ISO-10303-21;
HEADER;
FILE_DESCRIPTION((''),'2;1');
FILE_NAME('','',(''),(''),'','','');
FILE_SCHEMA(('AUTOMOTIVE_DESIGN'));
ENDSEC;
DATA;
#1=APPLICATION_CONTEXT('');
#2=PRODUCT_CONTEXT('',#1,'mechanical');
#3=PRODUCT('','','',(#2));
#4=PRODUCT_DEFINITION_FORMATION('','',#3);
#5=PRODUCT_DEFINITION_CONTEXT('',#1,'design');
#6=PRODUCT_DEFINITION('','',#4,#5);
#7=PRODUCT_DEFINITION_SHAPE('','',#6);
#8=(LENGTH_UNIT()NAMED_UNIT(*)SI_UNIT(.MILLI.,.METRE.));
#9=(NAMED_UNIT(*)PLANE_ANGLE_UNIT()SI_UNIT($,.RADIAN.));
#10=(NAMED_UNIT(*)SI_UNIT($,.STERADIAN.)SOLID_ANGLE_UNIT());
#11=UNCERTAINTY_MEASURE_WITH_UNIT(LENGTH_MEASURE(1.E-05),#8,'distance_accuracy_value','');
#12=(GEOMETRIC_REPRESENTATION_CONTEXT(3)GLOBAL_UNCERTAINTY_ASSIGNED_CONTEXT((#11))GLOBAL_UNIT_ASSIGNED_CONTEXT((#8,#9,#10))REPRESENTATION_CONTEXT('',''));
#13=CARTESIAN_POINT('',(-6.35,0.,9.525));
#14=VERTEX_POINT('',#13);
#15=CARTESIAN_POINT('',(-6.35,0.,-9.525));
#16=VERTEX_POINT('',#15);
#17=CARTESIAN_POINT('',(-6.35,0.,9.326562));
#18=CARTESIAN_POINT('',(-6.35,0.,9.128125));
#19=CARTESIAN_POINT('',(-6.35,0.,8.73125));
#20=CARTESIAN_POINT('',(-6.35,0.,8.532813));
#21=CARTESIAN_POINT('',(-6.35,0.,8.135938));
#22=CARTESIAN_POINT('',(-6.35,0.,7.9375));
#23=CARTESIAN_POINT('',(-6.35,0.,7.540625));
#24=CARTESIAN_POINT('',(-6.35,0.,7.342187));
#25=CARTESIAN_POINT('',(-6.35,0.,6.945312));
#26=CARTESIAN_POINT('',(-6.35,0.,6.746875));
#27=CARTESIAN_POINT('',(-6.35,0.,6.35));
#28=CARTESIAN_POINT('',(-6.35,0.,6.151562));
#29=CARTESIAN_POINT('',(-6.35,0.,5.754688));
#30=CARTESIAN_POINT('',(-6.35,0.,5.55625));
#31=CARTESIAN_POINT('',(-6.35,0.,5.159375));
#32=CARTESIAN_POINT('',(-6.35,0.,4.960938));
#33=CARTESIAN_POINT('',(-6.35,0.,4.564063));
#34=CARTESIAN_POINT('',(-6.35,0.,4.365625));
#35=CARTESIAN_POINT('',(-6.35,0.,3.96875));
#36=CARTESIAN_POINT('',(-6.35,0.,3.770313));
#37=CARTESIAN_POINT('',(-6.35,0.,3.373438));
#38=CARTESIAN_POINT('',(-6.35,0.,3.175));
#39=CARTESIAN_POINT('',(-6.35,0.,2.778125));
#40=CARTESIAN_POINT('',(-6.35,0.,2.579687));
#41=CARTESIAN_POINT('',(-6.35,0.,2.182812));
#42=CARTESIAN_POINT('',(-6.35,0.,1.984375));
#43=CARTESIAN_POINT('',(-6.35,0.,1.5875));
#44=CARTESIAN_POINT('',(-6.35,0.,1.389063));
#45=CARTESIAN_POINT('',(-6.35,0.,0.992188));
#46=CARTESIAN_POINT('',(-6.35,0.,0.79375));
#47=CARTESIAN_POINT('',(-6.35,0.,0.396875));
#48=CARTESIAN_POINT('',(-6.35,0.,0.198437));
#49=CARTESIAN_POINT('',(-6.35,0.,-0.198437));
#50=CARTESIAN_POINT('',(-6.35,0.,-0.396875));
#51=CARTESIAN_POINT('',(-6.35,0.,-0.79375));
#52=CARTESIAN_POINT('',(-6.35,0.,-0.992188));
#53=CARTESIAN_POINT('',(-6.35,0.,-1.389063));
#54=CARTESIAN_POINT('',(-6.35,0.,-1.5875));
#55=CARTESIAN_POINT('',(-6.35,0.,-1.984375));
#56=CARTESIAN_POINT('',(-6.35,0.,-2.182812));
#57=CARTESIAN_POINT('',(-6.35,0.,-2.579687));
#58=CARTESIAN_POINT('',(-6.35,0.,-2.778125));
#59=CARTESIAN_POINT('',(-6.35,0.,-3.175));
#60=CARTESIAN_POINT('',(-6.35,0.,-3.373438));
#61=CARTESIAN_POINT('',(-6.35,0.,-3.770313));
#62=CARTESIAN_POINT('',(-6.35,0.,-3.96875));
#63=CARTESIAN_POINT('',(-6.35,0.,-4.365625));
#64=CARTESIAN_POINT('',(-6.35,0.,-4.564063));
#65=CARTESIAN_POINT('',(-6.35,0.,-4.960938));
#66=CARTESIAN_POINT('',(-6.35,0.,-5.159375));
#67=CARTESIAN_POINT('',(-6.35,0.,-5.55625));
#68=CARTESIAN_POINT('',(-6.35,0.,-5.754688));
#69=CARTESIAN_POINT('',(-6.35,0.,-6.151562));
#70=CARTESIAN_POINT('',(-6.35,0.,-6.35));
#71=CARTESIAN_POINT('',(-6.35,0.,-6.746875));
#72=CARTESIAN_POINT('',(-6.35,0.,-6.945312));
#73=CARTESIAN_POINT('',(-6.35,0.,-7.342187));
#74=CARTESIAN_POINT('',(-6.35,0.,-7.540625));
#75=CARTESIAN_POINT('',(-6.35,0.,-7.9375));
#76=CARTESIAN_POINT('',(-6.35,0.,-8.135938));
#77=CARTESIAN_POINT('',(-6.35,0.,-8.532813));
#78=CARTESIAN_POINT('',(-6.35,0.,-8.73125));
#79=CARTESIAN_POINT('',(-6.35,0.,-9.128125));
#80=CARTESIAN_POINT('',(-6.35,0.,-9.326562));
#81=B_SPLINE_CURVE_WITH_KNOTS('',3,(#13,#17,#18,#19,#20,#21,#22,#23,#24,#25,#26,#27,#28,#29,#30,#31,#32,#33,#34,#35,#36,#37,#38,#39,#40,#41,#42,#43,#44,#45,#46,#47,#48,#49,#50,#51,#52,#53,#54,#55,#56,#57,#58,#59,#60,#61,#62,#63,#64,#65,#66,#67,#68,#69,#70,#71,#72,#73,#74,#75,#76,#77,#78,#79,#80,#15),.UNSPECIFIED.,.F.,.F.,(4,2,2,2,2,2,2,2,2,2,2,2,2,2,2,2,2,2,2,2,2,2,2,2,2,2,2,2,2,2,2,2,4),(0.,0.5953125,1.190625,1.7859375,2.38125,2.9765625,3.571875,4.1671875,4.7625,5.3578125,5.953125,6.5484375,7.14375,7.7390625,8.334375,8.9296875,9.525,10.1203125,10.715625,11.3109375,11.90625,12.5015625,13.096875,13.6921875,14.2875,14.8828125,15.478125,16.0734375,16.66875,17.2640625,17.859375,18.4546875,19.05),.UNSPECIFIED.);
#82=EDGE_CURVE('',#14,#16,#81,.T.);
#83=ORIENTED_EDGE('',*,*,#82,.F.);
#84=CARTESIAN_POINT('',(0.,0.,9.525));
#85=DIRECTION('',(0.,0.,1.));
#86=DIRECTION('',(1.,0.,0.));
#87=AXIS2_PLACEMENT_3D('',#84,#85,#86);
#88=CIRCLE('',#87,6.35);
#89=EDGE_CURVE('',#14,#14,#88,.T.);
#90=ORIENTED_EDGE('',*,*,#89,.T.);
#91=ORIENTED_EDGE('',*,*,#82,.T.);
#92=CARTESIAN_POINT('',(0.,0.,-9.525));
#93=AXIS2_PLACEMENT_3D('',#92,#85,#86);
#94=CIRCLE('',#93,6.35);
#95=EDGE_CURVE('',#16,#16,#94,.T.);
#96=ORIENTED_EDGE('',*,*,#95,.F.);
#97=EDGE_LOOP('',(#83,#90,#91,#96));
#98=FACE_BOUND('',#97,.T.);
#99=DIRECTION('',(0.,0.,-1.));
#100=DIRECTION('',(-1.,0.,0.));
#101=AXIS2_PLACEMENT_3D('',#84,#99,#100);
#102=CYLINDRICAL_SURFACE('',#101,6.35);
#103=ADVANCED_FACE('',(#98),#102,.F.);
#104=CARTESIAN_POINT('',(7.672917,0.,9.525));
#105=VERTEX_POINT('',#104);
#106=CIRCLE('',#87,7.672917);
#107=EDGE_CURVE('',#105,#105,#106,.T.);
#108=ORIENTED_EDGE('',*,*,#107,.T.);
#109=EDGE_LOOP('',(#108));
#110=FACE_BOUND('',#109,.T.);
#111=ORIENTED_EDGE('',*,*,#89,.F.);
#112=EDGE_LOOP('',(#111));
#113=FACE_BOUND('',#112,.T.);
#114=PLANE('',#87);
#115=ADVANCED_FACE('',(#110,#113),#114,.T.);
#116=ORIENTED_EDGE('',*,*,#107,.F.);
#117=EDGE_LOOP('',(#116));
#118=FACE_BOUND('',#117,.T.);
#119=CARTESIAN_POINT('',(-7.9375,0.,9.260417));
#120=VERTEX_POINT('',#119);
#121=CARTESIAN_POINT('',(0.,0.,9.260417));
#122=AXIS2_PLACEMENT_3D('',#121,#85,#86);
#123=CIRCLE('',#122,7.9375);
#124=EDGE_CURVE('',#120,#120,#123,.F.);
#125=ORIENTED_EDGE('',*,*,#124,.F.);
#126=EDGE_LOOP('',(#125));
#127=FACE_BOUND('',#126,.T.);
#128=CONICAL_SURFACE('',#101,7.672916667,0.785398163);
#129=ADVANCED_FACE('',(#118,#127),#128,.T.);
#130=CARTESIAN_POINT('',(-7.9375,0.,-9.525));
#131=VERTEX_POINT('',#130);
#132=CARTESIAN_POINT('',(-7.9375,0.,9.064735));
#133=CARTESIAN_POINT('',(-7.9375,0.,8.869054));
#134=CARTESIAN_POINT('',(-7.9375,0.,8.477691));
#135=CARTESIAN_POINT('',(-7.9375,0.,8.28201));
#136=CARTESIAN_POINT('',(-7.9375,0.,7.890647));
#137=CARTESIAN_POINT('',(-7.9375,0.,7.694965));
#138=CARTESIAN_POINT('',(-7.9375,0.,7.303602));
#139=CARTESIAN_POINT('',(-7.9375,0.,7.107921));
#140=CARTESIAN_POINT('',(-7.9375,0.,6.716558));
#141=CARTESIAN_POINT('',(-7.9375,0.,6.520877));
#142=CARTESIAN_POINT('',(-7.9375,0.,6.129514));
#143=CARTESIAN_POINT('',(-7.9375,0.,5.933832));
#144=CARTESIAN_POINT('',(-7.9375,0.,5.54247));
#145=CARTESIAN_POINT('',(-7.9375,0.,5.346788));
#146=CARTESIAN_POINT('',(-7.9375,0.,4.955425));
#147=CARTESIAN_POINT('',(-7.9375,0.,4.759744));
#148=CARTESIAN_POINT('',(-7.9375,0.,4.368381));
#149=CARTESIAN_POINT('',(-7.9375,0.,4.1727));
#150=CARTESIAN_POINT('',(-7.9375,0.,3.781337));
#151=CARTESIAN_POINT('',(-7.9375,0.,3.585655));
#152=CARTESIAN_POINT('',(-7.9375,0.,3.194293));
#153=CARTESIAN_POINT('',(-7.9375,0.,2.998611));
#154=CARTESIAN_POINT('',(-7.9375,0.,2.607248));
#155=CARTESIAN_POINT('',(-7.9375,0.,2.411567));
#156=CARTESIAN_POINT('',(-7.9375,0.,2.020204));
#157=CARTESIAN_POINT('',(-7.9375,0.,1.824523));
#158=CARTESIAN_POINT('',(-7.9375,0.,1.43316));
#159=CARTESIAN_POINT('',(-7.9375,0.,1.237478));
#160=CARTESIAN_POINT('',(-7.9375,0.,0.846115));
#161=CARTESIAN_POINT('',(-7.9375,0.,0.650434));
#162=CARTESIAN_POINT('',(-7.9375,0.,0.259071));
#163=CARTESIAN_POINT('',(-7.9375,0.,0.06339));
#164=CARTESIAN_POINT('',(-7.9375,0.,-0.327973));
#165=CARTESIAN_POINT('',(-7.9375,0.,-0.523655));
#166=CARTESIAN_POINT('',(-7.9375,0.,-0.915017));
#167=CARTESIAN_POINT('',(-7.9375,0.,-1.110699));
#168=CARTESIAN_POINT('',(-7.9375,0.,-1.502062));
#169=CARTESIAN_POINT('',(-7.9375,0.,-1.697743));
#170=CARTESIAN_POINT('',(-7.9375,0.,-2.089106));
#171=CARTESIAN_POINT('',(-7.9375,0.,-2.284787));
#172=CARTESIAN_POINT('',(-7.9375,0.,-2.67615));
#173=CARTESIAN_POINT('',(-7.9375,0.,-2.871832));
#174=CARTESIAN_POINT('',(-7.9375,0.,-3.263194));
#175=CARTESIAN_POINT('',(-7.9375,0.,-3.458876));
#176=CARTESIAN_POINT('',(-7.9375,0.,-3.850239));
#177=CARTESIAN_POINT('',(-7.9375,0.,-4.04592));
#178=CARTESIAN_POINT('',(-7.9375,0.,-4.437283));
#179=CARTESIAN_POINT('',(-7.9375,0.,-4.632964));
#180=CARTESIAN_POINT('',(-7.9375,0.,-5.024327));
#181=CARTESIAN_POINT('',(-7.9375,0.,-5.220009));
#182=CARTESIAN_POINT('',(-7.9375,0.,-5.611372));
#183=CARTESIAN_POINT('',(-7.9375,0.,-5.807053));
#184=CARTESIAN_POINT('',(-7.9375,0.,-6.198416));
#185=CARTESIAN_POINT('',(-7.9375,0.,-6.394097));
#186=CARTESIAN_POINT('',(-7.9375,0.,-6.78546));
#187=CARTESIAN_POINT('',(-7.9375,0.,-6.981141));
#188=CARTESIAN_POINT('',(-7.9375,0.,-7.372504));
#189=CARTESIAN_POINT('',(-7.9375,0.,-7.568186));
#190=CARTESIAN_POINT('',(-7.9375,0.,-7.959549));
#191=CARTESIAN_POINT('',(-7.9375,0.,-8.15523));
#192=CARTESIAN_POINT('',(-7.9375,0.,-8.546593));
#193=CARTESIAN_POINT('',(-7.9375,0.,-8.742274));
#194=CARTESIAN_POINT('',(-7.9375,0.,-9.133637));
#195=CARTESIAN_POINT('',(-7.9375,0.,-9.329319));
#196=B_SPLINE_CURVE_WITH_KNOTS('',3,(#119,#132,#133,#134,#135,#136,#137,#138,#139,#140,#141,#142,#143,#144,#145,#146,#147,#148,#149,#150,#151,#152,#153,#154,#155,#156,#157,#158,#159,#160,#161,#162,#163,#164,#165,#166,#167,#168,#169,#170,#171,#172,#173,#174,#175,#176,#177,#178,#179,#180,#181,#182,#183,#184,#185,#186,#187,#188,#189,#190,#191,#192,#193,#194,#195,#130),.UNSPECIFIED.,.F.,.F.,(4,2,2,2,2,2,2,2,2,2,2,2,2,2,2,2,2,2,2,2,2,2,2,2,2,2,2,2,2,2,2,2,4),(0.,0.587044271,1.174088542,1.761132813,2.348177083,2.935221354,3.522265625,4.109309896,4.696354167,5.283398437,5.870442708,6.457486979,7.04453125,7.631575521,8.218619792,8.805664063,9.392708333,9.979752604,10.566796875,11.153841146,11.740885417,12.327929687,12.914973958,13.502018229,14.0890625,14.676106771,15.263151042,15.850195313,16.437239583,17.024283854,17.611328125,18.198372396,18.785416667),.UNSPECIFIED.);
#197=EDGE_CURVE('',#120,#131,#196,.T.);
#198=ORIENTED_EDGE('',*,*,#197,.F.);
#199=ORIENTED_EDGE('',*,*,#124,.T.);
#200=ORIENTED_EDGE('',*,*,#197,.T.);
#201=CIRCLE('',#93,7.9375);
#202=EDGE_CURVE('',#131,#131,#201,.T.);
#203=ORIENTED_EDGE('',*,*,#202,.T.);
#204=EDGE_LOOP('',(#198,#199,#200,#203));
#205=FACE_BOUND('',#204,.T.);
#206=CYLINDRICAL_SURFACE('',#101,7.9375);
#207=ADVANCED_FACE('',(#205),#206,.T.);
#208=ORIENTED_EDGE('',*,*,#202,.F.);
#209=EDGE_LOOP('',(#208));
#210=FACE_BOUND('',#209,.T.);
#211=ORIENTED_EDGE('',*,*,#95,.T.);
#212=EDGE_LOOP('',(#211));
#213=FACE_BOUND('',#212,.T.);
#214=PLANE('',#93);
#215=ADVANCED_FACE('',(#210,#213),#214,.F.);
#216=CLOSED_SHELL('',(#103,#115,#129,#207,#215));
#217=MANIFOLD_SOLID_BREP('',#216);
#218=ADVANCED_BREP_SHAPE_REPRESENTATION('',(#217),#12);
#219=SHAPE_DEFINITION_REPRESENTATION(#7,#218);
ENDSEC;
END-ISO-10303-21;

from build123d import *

# Parameters (mm, degrees)
SKETCH1_R      = 7.9375
SKETCH1_R_2    = 6.35
EXTRUDE1_DEPTH = 9.525
CHAMFER1_SIZE  = 0.264583333


with BuildPart() as part:
    # Sketch1 → Extrude1 (new, symmetric)
    with BuildSketch(Plane.XY):
        with Locations(Location((0, 0, 0), (0, 0, 180))):
            Circle(SKETCH1_R)
        with Locations(Location((0, 0, 0), (0, 0, 180))):
            Circle(SKETCH1_R_2, mode=Mode.SUBTRACT)
    extrude(amount=EXTRUDE1_DEPTH, both=True)

    # Chamfer1
    chamfer1_edges = [part.edges().sort_by_distance(p)[0] for p in [
        (7.9375, 0, 9.525),
    ]]
    chamfer(chamfer1_edges, length=CHAMFER1_SIZE)


solid = part.part
